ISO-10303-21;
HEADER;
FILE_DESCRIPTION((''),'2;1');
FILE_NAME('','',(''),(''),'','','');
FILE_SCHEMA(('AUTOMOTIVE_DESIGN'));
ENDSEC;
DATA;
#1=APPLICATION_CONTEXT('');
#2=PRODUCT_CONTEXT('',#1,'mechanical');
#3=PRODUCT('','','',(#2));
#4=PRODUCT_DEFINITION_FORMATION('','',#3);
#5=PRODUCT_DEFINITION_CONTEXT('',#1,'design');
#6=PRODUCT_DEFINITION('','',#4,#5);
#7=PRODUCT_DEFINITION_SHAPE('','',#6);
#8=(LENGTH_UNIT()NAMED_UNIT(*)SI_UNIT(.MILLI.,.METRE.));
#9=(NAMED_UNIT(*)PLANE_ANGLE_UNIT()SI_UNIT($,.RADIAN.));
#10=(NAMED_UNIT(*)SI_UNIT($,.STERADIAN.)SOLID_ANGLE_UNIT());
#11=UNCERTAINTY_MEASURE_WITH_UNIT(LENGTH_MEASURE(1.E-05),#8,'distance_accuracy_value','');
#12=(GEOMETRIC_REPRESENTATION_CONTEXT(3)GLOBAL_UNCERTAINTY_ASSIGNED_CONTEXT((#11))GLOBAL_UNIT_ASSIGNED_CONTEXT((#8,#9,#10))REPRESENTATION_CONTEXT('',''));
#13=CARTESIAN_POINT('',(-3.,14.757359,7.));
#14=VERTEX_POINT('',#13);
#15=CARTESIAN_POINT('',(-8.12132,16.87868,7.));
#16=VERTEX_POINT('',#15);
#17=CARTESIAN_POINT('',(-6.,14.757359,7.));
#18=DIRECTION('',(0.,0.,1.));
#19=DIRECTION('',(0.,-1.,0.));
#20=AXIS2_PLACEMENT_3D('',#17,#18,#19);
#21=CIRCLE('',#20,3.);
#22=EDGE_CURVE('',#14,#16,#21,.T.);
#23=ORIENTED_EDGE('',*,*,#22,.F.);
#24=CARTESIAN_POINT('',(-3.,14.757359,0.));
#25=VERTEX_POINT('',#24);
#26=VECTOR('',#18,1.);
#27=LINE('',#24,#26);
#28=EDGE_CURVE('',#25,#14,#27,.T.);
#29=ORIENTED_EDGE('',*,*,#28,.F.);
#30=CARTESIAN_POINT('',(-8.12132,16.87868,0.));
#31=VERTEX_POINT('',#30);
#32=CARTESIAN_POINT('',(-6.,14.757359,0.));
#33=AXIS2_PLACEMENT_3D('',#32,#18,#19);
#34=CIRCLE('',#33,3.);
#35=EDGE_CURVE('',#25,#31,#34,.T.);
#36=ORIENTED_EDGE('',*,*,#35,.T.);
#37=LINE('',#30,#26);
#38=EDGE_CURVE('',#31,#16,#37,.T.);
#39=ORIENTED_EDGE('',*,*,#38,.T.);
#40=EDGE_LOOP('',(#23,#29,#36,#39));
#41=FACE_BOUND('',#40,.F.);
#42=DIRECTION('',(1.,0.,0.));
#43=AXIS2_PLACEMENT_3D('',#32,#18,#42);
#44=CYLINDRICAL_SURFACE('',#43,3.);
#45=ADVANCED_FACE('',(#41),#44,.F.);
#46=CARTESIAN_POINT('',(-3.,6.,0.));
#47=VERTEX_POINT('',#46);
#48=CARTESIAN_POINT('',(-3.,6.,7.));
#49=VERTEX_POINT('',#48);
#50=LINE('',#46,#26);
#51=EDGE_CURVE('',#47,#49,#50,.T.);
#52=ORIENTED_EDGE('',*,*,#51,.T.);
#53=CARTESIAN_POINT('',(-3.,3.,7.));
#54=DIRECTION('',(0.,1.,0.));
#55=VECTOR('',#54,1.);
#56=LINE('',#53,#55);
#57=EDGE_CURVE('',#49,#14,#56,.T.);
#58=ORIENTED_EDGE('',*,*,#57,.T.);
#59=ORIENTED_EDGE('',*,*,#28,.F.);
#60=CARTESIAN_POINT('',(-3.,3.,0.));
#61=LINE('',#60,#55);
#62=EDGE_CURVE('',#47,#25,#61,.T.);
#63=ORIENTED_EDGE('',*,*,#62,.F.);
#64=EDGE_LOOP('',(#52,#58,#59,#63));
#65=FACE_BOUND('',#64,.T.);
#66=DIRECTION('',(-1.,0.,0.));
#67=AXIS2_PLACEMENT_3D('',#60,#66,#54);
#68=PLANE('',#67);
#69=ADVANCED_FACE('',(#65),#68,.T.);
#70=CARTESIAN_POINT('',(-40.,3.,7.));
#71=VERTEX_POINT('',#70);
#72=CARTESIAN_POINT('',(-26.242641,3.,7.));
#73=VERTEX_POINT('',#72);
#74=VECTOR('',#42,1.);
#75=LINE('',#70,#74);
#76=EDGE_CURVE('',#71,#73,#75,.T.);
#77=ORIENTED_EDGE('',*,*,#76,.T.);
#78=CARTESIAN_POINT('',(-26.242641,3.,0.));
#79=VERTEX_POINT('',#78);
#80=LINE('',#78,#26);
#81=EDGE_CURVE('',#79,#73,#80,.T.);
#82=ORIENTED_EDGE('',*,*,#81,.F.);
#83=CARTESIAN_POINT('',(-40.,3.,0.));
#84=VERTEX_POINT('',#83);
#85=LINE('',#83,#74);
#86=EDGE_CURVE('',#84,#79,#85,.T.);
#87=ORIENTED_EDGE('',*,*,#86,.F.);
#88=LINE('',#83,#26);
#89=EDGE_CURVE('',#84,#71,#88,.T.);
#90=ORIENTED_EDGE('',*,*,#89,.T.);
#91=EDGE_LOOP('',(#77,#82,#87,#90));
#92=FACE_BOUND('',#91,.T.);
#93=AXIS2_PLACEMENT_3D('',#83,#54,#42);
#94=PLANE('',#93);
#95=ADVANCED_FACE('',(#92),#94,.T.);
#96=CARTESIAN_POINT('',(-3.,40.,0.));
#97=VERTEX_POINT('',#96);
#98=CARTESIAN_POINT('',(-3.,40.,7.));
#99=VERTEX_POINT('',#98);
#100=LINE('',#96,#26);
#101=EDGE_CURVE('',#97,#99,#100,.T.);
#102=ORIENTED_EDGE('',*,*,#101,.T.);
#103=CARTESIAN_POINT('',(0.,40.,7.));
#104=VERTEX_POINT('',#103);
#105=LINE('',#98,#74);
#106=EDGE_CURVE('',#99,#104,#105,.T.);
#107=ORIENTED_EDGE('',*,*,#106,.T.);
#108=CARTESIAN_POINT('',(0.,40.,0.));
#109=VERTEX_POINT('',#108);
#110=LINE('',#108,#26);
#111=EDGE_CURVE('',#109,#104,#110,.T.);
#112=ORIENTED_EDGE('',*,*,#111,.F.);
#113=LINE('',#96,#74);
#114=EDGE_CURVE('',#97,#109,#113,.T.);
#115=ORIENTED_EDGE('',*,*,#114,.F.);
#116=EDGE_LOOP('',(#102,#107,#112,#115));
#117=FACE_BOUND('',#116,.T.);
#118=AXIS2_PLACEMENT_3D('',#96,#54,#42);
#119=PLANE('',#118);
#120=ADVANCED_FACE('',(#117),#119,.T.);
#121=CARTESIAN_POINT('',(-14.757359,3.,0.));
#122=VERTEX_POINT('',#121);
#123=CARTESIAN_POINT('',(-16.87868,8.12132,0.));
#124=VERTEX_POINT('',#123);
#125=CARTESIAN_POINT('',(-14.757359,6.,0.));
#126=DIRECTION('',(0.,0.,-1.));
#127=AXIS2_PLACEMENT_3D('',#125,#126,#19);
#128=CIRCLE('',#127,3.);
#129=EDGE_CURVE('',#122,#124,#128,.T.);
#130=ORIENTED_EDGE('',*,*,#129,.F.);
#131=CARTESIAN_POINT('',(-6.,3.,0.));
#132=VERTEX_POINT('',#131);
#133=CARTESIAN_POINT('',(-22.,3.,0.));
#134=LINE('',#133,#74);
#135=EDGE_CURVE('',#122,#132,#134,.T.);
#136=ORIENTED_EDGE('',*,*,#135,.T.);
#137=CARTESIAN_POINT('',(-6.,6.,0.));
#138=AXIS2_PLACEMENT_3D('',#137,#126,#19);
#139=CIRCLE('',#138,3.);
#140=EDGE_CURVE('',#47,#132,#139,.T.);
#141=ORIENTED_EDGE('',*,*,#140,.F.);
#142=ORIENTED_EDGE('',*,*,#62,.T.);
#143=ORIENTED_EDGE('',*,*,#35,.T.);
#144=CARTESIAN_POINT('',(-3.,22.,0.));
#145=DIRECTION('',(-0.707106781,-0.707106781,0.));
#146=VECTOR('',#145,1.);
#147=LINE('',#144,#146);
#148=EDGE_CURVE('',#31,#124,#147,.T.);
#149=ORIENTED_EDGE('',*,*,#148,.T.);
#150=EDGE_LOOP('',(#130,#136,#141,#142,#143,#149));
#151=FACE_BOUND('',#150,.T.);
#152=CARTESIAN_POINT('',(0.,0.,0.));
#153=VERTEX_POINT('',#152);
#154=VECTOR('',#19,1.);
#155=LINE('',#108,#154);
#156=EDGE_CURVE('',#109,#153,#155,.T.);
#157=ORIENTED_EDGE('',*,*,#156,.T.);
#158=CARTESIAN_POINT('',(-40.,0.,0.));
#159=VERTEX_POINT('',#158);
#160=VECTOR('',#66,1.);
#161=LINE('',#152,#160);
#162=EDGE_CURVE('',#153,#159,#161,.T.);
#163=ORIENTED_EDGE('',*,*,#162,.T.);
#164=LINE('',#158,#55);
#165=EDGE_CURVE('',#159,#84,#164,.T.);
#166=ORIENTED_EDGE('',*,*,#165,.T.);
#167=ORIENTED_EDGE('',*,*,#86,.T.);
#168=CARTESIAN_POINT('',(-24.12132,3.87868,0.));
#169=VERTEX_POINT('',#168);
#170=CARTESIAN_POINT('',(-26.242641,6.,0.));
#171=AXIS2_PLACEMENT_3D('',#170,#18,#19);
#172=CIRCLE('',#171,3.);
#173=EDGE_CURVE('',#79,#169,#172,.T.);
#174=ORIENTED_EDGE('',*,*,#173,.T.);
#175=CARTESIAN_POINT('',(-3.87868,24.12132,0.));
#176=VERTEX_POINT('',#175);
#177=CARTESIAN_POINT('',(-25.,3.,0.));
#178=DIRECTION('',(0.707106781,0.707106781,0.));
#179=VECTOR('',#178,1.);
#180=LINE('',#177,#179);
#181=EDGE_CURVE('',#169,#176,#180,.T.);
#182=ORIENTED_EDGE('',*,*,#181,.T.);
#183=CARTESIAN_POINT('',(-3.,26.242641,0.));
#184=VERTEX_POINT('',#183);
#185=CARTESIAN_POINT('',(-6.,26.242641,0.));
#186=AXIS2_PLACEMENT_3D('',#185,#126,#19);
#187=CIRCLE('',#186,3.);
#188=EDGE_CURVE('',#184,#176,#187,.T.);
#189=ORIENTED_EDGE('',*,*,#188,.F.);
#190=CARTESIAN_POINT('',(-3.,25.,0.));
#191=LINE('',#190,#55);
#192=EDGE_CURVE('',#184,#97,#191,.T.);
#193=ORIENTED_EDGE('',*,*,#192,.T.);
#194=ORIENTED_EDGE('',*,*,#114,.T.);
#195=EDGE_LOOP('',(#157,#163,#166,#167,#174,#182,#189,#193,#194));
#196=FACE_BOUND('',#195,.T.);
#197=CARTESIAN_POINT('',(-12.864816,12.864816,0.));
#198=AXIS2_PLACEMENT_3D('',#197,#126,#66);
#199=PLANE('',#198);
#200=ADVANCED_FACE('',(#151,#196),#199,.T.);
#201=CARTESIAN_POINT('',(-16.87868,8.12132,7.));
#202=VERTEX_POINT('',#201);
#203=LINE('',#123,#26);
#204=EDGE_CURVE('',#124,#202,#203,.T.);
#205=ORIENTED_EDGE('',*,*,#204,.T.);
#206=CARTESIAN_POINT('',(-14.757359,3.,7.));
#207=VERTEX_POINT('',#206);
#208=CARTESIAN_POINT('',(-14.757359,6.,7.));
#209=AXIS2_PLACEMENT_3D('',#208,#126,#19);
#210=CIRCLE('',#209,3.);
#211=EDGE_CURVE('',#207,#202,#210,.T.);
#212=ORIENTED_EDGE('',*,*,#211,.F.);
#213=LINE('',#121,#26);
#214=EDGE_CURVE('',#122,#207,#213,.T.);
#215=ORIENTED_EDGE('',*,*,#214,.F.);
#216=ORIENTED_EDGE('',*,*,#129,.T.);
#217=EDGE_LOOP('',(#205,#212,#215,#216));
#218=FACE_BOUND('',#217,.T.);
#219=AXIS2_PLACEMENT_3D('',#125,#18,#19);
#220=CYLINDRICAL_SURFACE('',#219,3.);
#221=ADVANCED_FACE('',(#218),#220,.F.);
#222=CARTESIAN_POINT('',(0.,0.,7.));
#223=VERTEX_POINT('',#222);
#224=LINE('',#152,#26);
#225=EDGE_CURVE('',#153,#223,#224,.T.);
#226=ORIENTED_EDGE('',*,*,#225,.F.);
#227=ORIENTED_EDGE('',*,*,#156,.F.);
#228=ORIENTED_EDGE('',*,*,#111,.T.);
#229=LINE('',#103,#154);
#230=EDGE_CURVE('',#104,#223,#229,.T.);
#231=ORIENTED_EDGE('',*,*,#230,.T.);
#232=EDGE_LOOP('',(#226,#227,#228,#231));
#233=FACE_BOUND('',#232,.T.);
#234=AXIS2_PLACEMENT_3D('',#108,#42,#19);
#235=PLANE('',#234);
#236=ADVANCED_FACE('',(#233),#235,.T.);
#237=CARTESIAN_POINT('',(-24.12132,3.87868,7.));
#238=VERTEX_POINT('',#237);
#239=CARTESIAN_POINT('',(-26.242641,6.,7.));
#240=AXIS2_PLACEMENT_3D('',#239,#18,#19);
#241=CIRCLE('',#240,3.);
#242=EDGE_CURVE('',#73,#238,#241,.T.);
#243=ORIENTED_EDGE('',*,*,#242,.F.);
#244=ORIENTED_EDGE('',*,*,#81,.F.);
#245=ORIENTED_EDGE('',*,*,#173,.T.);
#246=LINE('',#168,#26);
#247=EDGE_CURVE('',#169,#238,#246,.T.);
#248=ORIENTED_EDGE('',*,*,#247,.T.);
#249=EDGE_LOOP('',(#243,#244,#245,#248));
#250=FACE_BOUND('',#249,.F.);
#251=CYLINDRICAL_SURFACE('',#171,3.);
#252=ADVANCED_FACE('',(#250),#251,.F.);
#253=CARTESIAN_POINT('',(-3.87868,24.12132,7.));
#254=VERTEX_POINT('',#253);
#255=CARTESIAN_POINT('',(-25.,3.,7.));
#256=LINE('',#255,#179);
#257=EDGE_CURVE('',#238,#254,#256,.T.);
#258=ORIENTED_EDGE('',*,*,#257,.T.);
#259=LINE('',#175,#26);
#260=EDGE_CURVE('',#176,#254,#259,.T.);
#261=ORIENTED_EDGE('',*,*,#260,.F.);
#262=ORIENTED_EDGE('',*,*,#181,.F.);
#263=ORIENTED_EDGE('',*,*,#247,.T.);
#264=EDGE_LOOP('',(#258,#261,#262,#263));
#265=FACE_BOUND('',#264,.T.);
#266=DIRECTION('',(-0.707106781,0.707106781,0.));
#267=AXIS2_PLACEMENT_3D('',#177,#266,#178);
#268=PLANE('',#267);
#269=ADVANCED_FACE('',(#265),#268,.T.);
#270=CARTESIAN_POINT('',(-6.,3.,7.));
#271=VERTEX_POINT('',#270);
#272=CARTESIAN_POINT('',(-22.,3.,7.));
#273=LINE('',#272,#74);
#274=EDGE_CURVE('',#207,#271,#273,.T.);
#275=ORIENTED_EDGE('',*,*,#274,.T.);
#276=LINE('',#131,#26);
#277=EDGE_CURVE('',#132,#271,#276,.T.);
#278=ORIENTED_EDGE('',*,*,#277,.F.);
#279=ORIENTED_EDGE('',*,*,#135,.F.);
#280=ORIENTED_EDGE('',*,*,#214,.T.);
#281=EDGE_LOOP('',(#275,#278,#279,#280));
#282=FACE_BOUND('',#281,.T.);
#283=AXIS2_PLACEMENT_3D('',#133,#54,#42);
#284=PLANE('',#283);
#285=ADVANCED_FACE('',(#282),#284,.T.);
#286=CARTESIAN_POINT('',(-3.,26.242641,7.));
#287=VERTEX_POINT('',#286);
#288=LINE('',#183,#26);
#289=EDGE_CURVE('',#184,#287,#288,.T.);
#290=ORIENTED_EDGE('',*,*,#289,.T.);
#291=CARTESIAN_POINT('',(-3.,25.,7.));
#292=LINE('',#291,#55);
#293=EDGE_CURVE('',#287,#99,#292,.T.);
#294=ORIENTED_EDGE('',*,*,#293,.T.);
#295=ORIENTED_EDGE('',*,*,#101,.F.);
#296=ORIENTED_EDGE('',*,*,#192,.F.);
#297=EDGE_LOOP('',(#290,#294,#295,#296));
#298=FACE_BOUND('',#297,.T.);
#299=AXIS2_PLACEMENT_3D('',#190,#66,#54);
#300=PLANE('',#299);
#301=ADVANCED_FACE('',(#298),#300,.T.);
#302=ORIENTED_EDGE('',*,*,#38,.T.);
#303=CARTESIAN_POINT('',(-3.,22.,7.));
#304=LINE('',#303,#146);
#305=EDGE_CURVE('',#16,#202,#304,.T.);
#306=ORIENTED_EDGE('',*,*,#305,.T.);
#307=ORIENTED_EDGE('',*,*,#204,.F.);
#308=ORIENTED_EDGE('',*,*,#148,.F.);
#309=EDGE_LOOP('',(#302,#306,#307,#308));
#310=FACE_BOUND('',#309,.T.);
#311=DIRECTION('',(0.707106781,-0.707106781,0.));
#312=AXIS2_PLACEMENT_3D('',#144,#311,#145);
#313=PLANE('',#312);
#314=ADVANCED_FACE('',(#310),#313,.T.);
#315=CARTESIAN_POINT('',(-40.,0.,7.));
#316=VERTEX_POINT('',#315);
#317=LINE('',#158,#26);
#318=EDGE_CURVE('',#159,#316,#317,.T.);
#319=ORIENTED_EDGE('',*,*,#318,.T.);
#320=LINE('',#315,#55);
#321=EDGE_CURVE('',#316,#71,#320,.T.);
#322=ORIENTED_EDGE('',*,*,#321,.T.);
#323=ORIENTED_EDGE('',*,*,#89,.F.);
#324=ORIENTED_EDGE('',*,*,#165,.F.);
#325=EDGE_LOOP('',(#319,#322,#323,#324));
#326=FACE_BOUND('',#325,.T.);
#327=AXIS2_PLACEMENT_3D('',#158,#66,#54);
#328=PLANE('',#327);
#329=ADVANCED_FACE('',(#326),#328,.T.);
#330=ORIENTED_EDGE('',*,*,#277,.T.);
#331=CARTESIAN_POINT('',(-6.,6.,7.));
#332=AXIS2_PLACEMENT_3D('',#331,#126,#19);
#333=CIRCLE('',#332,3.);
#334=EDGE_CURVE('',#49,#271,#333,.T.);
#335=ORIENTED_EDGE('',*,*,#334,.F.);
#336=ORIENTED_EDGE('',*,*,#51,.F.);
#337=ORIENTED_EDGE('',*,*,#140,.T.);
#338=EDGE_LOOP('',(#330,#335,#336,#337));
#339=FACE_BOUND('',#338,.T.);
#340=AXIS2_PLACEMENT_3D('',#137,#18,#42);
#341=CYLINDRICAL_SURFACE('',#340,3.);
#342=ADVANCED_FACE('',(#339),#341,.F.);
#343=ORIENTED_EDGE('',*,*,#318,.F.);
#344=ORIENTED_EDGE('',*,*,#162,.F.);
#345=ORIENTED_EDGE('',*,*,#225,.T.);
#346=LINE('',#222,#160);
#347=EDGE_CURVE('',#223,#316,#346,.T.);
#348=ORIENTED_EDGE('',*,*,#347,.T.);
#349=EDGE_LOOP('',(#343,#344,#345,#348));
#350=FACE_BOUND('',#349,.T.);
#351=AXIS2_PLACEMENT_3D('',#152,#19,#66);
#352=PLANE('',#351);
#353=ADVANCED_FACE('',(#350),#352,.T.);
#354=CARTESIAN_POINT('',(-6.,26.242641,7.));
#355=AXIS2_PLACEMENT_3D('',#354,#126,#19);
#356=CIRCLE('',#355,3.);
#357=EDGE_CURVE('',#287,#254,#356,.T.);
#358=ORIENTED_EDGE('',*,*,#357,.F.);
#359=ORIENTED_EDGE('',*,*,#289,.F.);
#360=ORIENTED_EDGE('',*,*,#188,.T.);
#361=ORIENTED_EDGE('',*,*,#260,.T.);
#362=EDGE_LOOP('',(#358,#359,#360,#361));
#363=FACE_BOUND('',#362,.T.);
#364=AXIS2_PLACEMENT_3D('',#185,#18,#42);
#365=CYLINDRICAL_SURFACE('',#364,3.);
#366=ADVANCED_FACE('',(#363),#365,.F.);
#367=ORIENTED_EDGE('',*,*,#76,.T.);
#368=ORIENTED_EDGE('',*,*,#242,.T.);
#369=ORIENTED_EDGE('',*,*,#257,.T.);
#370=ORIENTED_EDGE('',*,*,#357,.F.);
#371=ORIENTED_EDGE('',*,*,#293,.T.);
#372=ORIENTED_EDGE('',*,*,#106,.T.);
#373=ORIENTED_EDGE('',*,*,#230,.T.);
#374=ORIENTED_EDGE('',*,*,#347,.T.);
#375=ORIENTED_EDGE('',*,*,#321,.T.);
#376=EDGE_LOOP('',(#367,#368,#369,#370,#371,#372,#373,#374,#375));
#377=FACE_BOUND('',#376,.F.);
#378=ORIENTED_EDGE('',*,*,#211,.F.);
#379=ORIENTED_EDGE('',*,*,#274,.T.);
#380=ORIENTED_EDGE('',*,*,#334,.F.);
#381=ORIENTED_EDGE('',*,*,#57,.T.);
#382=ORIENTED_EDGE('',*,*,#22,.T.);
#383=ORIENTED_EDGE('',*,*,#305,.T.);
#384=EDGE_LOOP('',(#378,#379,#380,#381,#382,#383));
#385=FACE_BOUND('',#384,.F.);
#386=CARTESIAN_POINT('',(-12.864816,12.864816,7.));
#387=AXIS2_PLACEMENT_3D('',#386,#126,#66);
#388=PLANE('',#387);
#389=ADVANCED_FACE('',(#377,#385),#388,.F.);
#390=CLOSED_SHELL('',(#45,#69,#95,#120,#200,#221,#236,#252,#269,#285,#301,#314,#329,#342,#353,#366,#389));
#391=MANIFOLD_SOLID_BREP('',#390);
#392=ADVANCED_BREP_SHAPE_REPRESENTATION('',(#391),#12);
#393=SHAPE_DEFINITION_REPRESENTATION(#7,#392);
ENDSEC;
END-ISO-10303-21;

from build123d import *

# Parameters (mm, degrees)
PAD_DEPTH = 7
FILLET_R  = 3


with BuildPart() as part:
    # Sketch → Pad (new body)
    with BuildSketch(Plane.XY):
        Polygon((0, 0), (-40, 0), (-40, 3), (-25, 3), (-3, 25), (-3, 40), (0, 40), align=None)
        Polygon((-3, 22), (-22, 3), (-3, 3), align=None, mode=Mode.SUBTRACT)
    extrude(amount=PAD_DEPTH)

    # Fillet
    fillet_edges = [part.edges().sort_by_distance(p)[0] for p in [
        (-22, 3, 3.5),
        (-25, 3, 3.5),
        (-3, 22, 3.5),
        (-3, 25, 3.5),
        (-3, 3, 3.5),
    ]]
    fillet(fillet_edges, radius=FILLET_R)


solid = part.part
